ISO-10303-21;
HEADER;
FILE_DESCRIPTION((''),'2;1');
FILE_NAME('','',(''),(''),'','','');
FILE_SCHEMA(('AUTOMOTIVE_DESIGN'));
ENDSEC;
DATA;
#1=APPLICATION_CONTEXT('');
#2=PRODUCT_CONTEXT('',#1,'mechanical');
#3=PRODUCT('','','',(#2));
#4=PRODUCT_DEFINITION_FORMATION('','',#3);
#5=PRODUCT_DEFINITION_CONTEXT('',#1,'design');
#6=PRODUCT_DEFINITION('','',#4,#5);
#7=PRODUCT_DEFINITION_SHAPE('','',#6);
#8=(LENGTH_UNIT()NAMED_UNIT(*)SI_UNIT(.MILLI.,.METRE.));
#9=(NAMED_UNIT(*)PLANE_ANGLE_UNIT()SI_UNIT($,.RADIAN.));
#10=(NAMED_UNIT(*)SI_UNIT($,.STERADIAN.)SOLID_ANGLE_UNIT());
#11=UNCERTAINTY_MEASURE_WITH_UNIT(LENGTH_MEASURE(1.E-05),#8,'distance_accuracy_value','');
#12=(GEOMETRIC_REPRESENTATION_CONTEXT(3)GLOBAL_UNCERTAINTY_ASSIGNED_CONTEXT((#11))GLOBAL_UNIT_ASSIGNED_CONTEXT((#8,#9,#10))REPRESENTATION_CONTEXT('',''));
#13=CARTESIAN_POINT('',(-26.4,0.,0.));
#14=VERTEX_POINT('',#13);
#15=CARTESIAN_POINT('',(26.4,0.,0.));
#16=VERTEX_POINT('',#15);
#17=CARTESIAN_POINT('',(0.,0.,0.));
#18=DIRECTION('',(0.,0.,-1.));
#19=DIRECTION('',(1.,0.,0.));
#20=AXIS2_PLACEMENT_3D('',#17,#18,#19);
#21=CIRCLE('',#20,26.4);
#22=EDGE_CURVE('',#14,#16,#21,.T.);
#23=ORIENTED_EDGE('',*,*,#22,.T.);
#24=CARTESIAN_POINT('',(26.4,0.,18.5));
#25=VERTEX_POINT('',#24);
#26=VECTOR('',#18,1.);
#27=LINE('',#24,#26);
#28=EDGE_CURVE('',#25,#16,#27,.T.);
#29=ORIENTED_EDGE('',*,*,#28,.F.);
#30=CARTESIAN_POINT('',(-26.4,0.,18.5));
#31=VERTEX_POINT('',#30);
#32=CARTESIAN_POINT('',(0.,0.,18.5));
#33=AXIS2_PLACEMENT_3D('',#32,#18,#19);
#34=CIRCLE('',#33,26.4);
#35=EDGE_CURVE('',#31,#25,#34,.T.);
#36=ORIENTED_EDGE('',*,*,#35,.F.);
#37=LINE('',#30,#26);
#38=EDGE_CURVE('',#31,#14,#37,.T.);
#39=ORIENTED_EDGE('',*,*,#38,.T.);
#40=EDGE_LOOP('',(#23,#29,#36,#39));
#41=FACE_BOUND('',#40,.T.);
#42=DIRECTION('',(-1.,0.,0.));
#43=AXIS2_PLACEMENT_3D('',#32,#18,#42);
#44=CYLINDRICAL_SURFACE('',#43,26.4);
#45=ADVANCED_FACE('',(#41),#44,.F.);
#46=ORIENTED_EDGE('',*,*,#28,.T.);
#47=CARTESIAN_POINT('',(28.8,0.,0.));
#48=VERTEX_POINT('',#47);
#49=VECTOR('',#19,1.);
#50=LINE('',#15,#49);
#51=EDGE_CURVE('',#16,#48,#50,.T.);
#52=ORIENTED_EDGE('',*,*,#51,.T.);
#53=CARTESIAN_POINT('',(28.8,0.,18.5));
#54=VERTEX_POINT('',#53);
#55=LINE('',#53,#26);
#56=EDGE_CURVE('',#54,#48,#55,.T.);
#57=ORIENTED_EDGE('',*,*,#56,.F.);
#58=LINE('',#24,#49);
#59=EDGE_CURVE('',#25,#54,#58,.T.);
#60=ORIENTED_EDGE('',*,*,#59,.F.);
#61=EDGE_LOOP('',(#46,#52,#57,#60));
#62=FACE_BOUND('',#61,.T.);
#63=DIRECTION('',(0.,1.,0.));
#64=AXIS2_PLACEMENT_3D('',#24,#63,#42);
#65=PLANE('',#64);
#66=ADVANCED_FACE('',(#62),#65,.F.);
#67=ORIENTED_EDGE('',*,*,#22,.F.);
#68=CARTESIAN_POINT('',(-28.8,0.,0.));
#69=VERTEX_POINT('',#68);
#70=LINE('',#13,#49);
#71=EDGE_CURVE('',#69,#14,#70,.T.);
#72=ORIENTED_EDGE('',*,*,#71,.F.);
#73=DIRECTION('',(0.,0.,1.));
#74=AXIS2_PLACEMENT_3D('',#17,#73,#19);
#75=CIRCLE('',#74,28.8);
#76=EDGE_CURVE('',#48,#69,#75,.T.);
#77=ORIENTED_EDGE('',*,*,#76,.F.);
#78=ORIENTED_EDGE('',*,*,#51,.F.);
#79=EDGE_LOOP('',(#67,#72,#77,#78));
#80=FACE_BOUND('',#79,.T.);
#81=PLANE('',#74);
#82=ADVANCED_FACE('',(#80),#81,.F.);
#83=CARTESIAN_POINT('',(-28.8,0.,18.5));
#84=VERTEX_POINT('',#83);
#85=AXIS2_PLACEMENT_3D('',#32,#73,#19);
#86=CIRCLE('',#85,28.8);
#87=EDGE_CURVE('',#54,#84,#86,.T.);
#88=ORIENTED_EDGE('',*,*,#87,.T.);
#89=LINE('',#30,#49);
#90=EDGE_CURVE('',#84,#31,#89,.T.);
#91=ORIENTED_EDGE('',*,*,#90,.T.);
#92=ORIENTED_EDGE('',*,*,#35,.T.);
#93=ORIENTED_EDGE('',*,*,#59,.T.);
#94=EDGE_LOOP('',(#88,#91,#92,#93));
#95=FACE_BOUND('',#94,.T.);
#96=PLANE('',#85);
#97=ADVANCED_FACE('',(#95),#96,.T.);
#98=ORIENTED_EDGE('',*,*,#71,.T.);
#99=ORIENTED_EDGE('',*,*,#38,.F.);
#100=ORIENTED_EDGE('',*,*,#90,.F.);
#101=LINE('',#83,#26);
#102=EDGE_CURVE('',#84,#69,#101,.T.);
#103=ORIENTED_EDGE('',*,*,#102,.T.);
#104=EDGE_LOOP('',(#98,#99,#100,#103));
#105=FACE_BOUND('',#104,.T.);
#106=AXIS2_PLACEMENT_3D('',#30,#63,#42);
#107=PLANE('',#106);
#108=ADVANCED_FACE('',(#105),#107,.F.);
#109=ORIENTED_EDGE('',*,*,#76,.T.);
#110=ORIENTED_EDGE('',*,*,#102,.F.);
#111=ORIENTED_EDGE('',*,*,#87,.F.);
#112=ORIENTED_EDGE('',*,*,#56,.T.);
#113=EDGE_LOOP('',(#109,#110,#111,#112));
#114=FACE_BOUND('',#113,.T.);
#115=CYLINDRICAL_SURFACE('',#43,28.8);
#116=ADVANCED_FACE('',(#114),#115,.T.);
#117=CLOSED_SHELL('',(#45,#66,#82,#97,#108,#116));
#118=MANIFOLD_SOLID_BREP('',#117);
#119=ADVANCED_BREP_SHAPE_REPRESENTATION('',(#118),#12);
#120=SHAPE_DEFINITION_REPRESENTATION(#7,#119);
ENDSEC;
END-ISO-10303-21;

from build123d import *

# Parameters (mm, degrees)
SALIENTE_EXTRUIR1_DEPTH = 18.5


with BuildPart() as part:
    # Croquis1 → Saliente-Extruir1 (new body)
    with BuildSketch(Plane.XY):
        with BuildLine():
            Line((-26.4, 0), (-28.8, 0))
            ThreePointArc((-28.8, 0), (0, 28.8), (28.8, 0))
            Line((28.8, 0), (26.4, 0))
            ThreePointArc((26.4, 0), (0, 26.4), (-26.4, 0))
        make_face()
    extrude(amount=SALIENTE_EXTRUIR1_DEPTH)


solid = part.part
